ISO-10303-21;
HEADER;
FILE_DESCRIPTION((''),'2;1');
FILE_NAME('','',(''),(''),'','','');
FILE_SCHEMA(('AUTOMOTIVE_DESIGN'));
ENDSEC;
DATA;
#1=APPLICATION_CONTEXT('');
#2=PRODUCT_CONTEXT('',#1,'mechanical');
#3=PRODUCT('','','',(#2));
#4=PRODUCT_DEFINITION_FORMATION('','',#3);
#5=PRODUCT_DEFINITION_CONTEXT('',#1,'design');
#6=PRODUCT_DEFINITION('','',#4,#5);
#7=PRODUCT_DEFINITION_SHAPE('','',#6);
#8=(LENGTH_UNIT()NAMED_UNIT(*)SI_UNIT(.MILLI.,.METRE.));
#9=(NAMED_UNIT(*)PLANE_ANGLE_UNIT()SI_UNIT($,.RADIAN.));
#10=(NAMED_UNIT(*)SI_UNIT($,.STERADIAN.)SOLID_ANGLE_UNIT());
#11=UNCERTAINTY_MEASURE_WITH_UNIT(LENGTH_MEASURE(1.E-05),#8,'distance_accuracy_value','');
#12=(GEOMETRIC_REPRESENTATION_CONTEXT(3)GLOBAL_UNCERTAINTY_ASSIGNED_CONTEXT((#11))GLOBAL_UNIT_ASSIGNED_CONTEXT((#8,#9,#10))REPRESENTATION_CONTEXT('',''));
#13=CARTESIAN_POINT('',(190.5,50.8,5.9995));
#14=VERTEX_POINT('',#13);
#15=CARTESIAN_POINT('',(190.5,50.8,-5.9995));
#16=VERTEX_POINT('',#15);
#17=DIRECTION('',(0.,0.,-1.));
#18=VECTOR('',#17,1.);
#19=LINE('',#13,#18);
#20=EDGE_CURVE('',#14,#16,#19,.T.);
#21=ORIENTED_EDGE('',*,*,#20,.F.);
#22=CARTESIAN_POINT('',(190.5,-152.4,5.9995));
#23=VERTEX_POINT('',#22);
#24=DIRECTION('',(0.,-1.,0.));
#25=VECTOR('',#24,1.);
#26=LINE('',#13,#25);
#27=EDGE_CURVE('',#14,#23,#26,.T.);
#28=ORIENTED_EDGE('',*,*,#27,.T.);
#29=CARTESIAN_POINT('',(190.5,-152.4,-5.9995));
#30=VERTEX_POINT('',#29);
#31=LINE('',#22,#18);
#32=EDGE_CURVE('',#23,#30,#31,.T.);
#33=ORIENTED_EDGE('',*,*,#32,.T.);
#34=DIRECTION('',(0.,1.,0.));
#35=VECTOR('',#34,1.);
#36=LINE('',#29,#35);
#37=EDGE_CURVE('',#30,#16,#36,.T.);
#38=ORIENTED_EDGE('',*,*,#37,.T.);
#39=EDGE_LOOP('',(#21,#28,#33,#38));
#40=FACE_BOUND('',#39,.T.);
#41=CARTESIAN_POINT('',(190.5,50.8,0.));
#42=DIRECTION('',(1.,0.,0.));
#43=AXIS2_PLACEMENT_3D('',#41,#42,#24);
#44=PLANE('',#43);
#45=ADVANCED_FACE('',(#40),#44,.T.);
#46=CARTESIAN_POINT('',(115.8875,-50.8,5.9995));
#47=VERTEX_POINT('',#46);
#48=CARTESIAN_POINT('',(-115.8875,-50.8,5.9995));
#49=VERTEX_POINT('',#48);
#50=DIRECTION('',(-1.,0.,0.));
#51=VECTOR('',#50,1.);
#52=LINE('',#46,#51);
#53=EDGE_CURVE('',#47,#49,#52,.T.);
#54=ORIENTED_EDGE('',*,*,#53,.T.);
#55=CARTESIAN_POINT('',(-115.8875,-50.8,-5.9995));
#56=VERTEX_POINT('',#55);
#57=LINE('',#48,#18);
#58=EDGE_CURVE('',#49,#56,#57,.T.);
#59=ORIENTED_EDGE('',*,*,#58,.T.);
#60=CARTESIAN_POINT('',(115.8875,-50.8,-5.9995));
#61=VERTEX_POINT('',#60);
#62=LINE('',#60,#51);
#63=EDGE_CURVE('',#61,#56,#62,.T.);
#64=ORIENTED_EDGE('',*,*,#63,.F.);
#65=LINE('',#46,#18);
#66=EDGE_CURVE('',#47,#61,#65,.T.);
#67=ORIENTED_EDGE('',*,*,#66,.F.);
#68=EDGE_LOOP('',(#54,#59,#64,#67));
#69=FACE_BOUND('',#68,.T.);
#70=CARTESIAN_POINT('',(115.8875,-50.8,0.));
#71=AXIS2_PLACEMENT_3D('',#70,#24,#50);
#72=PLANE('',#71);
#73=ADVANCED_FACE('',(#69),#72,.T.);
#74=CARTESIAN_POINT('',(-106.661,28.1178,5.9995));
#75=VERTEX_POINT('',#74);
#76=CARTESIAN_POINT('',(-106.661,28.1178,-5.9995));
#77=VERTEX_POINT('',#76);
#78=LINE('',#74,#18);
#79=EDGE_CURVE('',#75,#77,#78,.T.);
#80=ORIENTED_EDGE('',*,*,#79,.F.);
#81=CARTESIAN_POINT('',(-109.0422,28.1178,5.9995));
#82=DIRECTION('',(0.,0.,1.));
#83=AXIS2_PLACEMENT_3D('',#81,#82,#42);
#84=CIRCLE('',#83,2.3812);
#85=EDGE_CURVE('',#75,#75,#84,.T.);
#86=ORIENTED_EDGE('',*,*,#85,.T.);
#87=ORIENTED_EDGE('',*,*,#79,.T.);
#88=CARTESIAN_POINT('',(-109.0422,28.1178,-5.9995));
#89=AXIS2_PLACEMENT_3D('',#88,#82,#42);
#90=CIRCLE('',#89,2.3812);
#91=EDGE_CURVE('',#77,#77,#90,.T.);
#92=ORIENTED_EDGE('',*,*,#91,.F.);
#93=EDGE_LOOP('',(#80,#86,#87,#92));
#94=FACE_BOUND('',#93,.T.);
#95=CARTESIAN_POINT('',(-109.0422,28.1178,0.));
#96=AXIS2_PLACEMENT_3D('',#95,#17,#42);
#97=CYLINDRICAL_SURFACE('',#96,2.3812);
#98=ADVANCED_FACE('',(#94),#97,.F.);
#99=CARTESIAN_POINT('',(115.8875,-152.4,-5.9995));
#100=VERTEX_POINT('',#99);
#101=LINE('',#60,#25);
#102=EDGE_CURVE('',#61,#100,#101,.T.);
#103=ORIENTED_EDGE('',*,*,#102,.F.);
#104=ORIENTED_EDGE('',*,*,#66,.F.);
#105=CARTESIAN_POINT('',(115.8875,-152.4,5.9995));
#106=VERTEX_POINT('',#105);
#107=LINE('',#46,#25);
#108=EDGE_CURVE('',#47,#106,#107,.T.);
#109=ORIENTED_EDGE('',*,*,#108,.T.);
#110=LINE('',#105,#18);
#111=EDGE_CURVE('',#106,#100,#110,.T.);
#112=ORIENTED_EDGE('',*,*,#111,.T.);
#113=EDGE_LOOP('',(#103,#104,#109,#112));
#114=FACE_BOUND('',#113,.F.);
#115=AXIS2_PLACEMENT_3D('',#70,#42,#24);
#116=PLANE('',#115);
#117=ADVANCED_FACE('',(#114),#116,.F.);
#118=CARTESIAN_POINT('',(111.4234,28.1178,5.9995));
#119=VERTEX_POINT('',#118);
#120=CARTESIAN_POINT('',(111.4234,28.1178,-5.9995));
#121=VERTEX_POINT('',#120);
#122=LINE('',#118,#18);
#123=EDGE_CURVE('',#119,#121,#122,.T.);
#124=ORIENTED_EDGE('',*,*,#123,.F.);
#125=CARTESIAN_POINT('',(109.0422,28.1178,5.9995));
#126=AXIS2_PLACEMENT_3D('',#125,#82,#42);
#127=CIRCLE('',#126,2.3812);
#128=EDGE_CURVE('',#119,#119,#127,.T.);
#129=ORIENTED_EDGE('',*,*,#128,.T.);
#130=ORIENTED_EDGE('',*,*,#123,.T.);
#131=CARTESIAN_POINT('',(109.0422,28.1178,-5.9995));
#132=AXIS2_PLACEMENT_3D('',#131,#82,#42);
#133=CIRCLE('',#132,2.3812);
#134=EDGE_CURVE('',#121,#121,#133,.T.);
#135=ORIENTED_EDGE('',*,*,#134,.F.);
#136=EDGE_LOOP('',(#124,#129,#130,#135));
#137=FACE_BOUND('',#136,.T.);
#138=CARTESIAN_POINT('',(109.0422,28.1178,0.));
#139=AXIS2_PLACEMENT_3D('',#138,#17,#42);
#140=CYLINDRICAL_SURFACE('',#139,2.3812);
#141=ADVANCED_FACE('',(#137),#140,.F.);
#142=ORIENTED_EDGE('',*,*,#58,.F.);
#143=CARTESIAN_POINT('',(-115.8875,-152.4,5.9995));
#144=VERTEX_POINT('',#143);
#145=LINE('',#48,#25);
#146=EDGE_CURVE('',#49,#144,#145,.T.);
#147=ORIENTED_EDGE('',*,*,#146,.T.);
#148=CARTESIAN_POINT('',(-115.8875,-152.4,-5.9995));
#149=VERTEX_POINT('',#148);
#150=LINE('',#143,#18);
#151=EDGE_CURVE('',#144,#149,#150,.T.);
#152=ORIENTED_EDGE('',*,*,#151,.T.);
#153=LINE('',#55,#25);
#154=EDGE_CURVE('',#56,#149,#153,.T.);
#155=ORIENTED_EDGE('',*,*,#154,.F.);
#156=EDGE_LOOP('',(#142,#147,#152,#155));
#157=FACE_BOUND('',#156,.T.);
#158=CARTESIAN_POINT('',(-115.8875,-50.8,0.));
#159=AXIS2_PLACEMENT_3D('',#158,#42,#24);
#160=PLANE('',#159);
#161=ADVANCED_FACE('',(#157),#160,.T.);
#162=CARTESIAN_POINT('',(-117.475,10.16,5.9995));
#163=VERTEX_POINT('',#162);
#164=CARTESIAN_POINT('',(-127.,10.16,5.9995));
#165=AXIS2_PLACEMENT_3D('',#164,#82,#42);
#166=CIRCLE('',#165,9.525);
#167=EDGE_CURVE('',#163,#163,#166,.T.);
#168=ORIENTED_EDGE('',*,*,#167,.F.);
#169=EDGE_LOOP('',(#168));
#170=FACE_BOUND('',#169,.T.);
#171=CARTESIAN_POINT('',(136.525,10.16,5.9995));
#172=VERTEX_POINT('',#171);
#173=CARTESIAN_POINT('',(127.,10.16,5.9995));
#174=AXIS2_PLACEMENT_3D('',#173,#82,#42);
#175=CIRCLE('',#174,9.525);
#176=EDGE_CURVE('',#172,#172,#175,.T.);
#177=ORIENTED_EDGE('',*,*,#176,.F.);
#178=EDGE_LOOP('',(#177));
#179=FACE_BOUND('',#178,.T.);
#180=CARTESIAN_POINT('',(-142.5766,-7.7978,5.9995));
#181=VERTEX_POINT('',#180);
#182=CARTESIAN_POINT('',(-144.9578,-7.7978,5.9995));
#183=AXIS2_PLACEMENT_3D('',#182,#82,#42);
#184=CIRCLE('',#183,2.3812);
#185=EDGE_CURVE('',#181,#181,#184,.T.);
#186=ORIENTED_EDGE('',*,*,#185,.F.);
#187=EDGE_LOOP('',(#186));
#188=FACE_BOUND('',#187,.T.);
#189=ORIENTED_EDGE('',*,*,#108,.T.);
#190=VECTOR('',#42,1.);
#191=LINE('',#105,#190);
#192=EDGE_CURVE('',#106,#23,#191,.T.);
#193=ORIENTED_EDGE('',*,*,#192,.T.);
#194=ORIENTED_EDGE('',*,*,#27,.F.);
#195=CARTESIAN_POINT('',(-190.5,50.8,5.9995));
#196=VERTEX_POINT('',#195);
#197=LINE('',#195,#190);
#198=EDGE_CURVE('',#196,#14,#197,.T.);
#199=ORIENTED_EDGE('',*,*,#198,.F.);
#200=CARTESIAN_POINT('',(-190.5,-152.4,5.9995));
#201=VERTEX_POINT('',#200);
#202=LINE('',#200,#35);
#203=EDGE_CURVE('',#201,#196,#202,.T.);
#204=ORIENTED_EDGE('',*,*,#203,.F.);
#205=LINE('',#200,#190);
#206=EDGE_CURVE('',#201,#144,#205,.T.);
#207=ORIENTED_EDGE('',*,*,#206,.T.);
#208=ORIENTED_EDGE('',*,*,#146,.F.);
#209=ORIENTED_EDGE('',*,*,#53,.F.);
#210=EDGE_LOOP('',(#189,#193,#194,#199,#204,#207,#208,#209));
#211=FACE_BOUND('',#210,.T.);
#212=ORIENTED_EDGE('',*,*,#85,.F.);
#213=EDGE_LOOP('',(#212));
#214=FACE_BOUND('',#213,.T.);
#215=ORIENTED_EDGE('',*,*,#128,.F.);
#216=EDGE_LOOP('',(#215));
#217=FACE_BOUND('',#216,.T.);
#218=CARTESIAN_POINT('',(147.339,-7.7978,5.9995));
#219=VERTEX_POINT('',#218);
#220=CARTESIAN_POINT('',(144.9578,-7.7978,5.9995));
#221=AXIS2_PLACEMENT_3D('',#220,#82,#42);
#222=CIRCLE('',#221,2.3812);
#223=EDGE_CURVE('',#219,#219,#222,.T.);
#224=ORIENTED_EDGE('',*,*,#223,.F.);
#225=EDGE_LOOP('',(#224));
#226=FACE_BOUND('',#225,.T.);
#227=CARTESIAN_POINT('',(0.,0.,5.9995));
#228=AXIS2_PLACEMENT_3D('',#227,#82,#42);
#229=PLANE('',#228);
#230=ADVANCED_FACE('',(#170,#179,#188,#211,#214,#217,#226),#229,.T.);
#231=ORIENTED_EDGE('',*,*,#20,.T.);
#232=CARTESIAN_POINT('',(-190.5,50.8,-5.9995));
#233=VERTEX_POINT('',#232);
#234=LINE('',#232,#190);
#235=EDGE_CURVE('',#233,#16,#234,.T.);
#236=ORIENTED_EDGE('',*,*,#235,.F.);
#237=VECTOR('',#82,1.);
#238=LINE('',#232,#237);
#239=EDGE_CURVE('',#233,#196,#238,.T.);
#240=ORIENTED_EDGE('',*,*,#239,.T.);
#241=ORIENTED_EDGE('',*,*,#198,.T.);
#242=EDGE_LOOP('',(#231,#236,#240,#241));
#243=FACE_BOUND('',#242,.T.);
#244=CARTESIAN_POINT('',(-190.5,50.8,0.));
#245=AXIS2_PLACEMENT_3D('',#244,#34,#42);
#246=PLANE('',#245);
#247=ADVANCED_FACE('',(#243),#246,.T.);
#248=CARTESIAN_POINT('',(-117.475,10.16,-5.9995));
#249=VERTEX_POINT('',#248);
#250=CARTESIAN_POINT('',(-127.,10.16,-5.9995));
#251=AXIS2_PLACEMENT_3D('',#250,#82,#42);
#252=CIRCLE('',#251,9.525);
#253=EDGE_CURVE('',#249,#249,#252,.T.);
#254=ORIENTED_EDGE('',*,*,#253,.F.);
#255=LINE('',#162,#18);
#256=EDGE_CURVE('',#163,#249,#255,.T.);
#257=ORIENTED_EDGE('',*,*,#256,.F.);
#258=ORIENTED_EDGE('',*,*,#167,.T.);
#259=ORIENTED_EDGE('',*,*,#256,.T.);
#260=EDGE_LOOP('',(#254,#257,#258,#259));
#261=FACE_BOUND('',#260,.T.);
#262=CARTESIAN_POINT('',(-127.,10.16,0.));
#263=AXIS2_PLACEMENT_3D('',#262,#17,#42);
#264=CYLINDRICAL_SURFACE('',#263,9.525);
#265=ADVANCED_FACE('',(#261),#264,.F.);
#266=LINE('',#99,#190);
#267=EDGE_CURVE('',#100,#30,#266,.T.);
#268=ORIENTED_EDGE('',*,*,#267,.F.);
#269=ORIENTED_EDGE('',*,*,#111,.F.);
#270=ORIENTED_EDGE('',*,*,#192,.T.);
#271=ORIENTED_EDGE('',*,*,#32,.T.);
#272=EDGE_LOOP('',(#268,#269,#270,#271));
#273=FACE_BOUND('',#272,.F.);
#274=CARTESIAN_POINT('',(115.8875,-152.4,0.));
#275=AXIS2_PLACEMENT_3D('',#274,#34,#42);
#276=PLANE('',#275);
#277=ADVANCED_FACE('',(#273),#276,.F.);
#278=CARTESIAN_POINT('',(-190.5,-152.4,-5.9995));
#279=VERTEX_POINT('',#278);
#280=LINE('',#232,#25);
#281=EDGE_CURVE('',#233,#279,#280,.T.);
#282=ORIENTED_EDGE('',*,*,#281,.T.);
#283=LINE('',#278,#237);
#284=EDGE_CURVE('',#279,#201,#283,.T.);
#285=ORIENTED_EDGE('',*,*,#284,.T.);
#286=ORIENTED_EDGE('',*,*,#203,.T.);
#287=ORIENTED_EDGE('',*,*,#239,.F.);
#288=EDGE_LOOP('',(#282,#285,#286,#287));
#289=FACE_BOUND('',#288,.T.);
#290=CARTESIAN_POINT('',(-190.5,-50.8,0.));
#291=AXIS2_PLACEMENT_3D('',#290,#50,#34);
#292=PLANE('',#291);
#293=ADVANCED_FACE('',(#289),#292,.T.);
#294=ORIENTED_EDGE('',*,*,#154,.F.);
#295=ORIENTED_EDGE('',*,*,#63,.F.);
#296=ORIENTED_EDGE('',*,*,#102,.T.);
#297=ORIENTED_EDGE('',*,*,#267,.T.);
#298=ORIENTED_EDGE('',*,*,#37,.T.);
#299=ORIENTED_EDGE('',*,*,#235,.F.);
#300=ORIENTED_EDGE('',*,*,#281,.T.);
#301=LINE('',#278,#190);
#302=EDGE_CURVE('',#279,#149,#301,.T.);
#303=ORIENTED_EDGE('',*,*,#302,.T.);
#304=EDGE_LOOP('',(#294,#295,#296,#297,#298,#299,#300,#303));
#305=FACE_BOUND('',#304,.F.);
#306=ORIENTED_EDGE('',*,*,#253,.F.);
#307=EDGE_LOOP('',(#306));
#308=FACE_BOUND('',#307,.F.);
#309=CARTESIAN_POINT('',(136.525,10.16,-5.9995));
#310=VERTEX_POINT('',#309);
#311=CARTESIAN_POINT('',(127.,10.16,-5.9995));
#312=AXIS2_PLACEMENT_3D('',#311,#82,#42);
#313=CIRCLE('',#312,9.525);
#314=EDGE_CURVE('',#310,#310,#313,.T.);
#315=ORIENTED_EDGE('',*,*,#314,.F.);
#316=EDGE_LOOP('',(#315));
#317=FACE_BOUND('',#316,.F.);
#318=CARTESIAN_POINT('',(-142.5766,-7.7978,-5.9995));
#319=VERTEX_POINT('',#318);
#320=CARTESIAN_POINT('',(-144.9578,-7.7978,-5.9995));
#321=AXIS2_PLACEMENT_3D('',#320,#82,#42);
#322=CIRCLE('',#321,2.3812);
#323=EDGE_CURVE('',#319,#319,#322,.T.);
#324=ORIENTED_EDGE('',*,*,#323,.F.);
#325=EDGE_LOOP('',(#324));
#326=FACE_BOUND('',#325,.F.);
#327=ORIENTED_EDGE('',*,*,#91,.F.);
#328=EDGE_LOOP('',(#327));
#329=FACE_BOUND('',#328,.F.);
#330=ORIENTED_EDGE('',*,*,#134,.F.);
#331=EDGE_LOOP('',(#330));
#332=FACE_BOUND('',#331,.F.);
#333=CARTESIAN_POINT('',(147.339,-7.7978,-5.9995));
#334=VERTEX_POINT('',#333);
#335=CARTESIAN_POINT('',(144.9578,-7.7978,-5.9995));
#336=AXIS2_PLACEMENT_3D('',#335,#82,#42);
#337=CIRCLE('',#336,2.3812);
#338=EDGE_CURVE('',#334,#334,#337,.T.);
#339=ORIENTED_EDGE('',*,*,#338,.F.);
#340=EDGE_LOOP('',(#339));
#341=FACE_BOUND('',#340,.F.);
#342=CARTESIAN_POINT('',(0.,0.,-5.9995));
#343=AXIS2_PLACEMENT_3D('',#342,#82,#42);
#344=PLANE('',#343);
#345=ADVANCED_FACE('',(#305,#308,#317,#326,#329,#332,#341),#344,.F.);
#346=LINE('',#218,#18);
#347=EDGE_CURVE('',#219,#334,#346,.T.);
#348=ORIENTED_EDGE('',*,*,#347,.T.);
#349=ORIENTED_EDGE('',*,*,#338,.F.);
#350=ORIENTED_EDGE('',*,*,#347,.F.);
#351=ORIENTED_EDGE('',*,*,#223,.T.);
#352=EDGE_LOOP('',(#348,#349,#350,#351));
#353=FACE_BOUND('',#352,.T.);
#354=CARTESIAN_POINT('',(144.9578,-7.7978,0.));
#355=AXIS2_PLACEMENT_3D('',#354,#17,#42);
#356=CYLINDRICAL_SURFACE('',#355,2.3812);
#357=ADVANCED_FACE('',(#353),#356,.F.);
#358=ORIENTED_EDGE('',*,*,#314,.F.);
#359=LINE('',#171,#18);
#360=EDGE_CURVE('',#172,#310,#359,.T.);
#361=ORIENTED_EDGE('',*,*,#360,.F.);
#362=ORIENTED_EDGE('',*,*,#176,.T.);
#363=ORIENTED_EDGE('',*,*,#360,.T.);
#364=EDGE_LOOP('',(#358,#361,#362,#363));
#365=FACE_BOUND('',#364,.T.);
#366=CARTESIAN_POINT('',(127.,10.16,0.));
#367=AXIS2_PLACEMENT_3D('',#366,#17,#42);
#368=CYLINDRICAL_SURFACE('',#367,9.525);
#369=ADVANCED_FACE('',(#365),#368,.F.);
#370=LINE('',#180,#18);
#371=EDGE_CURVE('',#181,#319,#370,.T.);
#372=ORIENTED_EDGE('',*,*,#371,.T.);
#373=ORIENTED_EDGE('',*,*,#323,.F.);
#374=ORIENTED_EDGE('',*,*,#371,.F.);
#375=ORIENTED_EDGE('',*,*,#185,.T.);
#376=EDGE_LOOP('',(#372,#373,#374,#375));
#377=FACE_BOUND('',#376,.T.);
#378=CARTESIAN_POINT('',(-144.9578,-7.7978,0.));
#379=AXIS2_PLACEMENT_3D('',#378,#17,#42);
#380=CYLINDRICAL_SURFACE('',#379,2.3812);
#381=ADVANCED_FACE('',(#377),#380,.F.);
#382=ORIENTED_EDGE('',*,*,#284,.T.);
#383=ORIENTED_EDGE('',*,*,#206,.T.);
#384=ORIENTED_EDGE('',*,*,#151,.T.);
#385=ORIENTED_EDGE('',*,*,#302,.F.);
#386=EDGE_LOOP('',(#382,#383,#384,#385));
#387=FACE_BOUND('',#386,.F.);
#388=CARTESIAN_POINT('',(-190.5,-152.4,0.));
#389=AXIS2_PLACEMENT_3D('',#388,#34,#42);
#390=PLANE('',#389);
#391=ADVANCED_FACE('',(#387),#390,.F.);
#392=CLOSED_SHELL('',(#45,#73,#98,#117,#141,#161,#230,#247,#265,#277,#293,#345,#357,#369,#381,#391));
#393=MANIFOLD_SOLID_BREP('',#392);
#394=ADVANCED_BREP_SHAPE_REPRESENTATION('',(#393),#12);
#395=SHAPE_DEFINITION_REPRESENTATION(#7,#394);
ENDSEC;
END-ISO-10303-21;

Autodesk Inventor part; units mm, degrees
ref_plane "YZ Plane" through (0, 0, 0) normal (1, 0, 0) x (0, 1, 0)
ref_plane "XZ Plane" through (0, 0, 0) normal (0, 1, 0) x (-1, 0, 0)
ref_plane "XY Plane" through (0, 0, 0) normal (0, 0, 1) x (1, 0, 0)
sketch "Sketch1" plane through (0, 0, 0) normal (0, 0, 1) x (1, 0, 0)
  line L0 (-190.5, 50.8) -> (190.5, 50.8)
  line L1 (190.5, 50.8) -> (190.5, -50.8)
  line L2 (115.8875, -50.8) -> (-115.8875, -50.8)
  line L3 (-190.5, -50.8) -> (-190.5, 50.8)
  line L4 (-190.5, 50.8) -> (190.5, -50.8) construction
  line L5 (190.5, 50.8) -> (-190.5, -50.8) construction
  circle A0 centre (-127, 10.16) radius 9.525
  circle A1 centre (-109.0422, 28.1178) radius 2.3812
  circle A2 centre (-144.9578, -7.7978) radius 2.3812
  line L6 (0, 0) -> (0, 83.7438) construction
  circle A3 centre (127, 10.16) radius 9.525
  circle A4 centre (109.0422, 28.1178) radius 2.3812
  circle A5 centre (144.9578, -7.7978) radius 2.3812
  line L7 (115.8875, -50.8) -> (115.8875, -152.4)
  line L8 (-190.5, -50.8) -> (-190.5, -152.4)
  line L9 (190.5, -50.8) -> (190.5, -152.4)
  line L10 (-190.5, -152.4) -> (-115.8875, -152.4)
  line L11 (115.8875, -152.4) -> (190.5, -152.4)
  line L12 (-115.8875, -27.9247) -> (-115.8875, -30.9033)
  line L13 (-115.8875, -50.8) -> (-115.8875, -152.4)
  dimension "d0" = 381
  dimension "d1" = 101.6
  dimension "d2" = 19.05
  dimension "d4" = 127
  dimension "d5" = 60.96
  dimension "d6" = 4.7625
  dimension "d8" = 17.9578
  dimension "d9" = 17.9578
  dimension "d10" = 4.7625
  dimension "d11" = 17.9578
  dimension "d12" = 17.9578
  dimension "d15" = 115.8875
extrude "Extrusion1" add sketch "Sketch1" along normal mid plane 11.999
properties part number "Indexer Upper Plate"
